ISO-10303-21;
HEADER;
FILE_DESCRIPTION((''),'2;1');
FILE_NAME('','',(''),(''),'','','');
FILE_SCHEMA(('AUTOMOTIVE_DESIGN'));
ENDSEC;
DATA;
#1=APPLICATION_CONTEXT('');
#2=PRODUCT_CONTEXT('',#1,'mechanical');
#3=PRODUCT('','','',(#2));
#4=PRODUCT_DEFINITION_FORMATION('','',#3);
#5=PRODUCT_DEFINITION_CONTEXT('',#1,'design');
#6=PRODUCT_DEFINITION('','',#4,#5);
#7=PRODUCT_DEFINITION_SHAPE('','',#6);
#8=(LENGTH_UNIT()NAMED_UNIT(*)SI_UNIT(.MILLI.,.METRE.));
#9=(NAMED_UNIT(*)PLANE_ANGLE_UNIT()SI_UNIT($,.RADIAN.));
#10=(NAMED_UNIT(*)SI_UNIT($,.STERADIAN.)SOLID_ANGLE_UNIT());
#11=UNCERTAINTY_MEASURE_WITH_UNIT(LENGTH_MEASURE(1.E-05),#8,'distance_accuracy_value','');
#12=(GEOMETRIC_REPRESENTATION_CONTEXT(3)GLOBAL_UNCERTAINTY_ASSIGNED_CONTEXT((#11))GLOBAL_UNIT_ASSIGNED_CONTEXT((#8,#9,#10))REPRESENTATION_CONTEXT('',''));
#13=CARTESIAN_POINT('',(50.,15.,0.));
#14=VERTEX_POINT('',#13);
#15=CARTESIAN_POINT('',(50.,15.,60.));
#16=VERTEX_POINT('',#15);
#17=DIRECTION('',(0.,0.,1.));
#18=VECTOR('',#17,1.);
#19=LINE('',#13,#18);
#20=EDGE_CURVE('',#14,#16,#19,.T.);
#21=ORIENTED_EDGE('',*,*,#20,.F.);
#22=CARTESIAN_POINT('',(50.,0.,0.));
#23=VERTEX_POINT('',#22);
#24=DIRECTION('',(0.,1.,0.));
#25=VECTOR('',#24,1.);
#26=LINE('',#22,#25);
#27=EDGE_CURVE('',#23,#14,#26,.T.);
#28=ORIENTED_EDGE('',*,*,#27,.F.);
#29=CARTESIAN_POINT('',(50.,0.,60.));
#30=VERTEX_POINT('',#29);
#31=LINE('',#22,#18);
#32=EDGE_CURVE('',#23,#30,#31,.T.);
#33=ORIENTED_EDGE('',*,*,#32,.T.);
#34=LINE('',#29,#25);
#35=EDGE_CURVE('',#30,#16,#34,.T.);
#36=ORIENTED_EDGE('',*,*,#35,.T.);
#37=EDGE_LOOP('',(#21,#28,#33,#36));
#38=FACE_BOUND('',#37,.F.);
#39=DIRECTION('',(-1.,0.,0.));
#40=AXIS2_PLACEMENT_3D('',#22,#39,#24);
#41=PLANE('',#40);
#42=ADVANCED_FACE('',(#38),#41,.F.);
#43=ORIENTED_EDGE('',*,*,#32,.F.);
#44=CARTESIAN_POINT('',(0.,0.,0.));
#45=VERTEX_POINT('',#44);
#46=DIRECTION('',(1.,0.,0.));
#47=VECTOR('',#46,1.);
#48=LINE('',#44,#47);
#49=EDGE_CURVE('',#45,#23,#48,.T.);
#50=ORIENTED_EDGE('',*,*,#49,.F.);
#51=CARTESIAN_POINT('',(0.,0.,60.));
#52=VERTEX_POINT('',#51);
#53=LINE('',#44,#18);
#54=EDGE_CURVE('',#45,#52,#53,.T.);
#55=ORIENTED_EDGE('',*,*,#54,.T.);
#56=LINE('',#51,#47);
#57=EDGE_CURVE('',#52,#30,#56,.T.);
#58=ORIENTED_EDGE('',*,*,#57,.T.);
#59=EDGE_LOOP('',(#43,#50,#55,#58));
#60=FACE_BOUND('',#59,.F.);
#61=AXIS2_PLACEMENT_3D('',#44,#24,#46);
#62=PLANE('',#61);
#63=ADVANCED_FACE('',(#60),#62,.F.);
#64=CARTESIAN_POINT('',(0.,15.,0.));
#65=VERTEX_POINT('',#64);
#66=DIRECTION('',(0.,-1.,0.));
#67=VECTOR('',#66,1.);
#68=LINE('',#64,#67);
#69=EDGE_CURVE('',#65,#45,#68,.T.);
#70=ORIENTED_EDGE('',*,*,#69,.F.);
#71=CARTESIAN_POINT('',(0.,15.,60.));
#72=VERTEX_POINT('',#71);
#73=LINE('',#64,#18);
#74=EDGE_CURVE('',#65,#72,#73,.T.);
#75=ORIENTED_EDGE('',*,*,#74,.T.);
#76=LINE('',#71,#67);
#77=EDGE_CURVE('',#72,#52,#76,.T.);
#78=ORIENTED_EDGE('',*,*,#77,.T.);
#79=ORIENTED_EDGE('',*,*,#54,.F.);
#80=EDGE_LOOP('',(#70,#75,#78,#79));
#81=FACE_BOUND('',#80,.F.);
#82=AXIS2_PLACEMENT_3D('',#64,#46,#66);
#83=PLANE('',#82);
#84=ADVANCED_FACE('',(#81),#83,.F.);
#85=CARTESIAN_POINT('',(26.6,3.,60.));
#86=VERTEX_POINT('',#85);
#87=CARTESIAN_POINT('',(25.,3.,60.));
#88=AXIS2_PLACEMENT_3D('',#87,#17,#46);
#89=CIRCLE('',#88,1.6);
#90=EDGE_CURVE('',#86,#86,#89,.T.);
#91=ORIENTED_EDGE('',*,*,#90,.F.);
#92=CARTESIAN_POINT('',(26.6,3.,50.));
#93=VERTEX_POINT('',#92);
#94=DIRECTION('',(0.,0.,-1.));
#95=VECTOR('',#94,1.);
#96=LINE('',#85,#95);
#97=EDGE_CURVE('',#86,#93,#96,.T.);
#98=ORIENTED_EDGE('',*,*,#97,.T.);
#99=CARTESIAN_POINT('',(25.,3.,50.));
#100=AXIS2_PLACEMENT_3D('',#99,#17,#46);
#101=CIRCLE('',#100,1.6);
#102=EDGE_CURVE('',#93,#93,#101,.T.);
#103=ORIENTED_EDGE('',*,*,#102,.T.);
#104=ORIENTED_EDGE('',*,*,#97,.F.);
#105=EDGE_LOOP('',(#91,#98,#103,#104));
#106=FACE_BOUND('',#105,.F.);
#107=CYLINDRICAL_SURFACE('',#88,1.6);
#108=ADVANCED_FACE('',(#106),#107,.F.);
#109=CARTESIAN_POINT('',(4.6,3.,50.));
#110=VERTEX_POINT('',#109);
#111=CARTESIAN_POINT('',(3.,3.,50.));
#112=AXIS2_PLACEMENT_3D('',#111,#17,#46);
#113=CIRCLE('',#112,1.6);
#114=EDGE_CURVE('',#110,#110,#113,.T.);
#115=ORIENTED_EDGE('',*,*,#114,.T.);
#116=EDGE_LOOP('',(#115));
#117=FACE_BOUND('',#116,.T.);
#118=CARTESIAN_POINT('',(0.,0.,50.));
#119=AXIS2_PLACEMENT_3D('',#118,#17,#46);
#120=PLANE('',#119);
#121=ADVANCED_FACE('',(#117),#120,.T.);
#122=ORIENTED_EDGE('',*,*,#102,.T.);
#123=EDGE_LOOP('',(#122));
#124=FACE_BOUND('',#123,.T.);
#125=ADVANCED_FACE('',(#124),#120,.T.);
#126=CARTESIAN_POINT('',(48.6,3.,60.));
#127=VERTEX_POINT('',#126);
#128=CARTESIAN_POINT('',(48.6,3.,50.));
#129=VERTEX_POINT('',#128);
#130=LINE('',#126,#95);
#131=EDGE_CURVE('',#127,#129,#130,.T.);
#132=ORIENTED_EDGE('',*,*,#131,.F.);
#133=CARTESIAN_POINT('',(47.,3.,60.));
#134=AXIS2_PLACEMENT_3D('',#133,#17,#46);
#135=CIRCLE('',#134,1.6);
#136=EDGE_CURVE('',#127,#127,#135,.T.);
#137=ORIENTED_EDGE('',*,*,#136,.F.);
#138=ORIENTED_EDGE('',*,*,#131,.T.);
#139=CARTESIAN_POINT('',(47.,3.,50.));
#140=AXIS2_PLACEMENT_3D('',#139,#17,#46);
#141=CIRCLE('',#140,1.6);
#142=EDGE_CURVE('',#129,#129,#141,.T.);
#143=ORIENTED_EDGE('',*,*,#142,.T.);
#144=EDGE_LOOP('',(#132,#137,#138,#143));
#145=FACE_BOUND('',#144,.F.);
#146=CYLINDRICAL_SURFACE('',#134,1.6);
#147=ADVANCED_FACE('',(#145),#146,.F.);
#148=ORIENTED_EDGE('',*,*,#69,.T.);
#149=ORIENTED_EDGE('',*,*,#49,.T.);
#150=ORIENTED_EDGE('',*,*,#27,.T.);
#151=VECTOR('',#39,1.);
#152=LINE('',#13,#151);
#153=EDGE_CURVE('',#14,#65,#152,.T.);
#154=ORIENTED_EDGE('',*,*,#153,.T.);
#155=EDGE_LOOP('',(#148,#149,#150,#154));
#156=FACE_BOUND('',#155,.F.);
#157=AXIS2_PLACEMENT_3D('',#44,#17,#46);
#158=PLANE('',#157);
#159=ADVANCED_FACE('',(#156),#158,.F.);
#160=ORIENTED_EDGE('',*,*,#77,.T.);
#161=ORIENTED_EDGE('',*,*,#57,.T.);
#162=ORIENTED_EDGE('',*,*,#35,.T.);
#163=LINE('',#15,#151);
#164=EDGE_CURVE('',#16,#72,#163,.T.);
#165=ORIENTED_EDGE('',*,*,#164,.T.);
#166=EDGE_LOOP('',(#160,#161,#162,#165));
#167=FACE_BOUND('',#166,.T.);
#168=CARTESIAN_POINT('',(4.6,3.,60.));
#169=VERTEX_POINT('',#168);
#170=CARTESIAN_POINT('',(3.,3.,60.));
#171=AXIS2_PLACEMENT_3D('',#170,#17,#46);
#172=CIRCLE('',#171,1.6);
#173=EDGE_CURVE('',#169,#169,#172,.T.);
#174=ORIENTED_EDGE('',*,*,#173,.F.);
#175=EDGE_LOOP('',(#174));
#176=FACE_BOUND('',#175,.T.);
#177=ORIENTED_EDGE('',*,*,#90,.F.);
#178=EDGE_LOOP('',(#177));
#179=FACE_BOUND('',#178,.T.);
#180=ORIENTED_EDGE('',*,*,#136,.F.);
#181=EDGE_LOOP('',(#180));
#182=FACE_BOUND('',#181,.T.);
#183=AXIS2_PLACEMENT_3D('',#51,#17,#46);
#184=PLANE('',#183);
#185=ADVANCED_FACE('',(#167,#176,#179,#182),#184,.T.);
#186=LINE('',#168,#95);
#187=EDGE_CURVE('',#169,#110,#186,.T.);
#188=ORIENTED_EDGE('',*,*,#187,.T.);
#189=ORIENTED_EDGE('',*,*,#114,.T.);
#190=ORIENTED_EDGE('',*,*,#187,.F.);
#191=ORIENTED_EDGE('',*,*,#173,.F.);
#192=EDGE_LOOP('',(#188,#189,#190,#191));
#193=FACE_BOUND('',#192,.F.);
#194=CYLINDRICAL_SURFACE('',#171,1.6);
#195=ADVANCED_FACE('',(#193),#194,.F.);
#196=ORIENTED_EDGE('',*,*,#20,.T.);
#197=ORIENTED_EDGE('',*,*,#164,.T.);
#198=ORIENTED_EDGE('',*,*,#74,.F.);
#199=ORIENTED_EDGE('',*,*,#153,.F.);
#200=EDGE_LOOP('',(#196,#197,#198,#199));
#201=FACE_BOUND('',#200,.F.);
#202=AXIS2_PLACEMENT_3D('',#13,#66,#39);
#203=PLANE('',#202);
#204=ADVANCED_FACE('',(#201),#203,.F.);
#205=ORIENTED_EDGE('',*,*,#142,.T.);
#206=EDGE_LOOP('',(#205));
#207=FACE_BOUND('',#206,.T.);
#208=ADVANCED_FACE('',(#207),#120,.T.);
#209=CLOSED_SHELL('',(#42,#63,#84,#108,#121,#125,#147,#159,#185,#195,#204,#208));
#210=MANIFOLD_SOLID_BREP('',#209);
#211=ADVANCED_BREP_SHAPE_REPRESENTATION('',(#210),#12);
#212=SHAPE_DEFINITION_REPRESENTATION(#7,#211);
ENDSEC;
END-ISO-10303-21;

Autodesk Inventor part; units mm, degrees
ref_plane "YZ Plane" through (0, 0, 0) normal (1, 0, 0) x (0, 1, 0)
ref_plane "XZ Plane" through (0, 0, 0) normal (0, 1, 0) x (-1, 0, 0)
ref_plane "XY Plane" through (0, 0, 0) normal (0, 0, 1) x (1, 0, 0)
sketch "Sketch1" plane through (0, 0, 0) normal (0, 0, 1) x (1, 0, 0)
  line L0 (0, 0) -> (50, 0)
  line L1 (50, 0) -> (50, 15)
  line L2 (50, 15) -> (0, 15)
  line L3 (0, 15) -> (0, 0)
  dimension "d0" = 50
  dimension "d1" = 15
extrude "Extrusion1" add sketch "Sketch1" along normal blind 60
sketch "Sketch2" plane through (0, 0, 60) normal (0, 0, 1) x (1, 0, 0)
  circle A0 centre (3, 3) radius 1.6
  circle A1 centre (47, 3) radius 1.6
  circle A2 centre (25, 3) radius 1.6
  line L0 (0, 15) -> (0, 0) projected
  line L1 (50, 0) -> (50, 15) projected
  line L2 (0, 0) -> (50, 0) projected
  point P0 (25, 0)
  dimension "d4" = 3.2
  dimension "d5" = 3.2
  dimension "d6" = 3.2
  dimension "d7" = 3
  dimension "d8" = 3
  dimension "d11" = 3
extrude "Extrusion2" cut sketch "Sketch2" against normal blind 10
properties part number "brush rack"
